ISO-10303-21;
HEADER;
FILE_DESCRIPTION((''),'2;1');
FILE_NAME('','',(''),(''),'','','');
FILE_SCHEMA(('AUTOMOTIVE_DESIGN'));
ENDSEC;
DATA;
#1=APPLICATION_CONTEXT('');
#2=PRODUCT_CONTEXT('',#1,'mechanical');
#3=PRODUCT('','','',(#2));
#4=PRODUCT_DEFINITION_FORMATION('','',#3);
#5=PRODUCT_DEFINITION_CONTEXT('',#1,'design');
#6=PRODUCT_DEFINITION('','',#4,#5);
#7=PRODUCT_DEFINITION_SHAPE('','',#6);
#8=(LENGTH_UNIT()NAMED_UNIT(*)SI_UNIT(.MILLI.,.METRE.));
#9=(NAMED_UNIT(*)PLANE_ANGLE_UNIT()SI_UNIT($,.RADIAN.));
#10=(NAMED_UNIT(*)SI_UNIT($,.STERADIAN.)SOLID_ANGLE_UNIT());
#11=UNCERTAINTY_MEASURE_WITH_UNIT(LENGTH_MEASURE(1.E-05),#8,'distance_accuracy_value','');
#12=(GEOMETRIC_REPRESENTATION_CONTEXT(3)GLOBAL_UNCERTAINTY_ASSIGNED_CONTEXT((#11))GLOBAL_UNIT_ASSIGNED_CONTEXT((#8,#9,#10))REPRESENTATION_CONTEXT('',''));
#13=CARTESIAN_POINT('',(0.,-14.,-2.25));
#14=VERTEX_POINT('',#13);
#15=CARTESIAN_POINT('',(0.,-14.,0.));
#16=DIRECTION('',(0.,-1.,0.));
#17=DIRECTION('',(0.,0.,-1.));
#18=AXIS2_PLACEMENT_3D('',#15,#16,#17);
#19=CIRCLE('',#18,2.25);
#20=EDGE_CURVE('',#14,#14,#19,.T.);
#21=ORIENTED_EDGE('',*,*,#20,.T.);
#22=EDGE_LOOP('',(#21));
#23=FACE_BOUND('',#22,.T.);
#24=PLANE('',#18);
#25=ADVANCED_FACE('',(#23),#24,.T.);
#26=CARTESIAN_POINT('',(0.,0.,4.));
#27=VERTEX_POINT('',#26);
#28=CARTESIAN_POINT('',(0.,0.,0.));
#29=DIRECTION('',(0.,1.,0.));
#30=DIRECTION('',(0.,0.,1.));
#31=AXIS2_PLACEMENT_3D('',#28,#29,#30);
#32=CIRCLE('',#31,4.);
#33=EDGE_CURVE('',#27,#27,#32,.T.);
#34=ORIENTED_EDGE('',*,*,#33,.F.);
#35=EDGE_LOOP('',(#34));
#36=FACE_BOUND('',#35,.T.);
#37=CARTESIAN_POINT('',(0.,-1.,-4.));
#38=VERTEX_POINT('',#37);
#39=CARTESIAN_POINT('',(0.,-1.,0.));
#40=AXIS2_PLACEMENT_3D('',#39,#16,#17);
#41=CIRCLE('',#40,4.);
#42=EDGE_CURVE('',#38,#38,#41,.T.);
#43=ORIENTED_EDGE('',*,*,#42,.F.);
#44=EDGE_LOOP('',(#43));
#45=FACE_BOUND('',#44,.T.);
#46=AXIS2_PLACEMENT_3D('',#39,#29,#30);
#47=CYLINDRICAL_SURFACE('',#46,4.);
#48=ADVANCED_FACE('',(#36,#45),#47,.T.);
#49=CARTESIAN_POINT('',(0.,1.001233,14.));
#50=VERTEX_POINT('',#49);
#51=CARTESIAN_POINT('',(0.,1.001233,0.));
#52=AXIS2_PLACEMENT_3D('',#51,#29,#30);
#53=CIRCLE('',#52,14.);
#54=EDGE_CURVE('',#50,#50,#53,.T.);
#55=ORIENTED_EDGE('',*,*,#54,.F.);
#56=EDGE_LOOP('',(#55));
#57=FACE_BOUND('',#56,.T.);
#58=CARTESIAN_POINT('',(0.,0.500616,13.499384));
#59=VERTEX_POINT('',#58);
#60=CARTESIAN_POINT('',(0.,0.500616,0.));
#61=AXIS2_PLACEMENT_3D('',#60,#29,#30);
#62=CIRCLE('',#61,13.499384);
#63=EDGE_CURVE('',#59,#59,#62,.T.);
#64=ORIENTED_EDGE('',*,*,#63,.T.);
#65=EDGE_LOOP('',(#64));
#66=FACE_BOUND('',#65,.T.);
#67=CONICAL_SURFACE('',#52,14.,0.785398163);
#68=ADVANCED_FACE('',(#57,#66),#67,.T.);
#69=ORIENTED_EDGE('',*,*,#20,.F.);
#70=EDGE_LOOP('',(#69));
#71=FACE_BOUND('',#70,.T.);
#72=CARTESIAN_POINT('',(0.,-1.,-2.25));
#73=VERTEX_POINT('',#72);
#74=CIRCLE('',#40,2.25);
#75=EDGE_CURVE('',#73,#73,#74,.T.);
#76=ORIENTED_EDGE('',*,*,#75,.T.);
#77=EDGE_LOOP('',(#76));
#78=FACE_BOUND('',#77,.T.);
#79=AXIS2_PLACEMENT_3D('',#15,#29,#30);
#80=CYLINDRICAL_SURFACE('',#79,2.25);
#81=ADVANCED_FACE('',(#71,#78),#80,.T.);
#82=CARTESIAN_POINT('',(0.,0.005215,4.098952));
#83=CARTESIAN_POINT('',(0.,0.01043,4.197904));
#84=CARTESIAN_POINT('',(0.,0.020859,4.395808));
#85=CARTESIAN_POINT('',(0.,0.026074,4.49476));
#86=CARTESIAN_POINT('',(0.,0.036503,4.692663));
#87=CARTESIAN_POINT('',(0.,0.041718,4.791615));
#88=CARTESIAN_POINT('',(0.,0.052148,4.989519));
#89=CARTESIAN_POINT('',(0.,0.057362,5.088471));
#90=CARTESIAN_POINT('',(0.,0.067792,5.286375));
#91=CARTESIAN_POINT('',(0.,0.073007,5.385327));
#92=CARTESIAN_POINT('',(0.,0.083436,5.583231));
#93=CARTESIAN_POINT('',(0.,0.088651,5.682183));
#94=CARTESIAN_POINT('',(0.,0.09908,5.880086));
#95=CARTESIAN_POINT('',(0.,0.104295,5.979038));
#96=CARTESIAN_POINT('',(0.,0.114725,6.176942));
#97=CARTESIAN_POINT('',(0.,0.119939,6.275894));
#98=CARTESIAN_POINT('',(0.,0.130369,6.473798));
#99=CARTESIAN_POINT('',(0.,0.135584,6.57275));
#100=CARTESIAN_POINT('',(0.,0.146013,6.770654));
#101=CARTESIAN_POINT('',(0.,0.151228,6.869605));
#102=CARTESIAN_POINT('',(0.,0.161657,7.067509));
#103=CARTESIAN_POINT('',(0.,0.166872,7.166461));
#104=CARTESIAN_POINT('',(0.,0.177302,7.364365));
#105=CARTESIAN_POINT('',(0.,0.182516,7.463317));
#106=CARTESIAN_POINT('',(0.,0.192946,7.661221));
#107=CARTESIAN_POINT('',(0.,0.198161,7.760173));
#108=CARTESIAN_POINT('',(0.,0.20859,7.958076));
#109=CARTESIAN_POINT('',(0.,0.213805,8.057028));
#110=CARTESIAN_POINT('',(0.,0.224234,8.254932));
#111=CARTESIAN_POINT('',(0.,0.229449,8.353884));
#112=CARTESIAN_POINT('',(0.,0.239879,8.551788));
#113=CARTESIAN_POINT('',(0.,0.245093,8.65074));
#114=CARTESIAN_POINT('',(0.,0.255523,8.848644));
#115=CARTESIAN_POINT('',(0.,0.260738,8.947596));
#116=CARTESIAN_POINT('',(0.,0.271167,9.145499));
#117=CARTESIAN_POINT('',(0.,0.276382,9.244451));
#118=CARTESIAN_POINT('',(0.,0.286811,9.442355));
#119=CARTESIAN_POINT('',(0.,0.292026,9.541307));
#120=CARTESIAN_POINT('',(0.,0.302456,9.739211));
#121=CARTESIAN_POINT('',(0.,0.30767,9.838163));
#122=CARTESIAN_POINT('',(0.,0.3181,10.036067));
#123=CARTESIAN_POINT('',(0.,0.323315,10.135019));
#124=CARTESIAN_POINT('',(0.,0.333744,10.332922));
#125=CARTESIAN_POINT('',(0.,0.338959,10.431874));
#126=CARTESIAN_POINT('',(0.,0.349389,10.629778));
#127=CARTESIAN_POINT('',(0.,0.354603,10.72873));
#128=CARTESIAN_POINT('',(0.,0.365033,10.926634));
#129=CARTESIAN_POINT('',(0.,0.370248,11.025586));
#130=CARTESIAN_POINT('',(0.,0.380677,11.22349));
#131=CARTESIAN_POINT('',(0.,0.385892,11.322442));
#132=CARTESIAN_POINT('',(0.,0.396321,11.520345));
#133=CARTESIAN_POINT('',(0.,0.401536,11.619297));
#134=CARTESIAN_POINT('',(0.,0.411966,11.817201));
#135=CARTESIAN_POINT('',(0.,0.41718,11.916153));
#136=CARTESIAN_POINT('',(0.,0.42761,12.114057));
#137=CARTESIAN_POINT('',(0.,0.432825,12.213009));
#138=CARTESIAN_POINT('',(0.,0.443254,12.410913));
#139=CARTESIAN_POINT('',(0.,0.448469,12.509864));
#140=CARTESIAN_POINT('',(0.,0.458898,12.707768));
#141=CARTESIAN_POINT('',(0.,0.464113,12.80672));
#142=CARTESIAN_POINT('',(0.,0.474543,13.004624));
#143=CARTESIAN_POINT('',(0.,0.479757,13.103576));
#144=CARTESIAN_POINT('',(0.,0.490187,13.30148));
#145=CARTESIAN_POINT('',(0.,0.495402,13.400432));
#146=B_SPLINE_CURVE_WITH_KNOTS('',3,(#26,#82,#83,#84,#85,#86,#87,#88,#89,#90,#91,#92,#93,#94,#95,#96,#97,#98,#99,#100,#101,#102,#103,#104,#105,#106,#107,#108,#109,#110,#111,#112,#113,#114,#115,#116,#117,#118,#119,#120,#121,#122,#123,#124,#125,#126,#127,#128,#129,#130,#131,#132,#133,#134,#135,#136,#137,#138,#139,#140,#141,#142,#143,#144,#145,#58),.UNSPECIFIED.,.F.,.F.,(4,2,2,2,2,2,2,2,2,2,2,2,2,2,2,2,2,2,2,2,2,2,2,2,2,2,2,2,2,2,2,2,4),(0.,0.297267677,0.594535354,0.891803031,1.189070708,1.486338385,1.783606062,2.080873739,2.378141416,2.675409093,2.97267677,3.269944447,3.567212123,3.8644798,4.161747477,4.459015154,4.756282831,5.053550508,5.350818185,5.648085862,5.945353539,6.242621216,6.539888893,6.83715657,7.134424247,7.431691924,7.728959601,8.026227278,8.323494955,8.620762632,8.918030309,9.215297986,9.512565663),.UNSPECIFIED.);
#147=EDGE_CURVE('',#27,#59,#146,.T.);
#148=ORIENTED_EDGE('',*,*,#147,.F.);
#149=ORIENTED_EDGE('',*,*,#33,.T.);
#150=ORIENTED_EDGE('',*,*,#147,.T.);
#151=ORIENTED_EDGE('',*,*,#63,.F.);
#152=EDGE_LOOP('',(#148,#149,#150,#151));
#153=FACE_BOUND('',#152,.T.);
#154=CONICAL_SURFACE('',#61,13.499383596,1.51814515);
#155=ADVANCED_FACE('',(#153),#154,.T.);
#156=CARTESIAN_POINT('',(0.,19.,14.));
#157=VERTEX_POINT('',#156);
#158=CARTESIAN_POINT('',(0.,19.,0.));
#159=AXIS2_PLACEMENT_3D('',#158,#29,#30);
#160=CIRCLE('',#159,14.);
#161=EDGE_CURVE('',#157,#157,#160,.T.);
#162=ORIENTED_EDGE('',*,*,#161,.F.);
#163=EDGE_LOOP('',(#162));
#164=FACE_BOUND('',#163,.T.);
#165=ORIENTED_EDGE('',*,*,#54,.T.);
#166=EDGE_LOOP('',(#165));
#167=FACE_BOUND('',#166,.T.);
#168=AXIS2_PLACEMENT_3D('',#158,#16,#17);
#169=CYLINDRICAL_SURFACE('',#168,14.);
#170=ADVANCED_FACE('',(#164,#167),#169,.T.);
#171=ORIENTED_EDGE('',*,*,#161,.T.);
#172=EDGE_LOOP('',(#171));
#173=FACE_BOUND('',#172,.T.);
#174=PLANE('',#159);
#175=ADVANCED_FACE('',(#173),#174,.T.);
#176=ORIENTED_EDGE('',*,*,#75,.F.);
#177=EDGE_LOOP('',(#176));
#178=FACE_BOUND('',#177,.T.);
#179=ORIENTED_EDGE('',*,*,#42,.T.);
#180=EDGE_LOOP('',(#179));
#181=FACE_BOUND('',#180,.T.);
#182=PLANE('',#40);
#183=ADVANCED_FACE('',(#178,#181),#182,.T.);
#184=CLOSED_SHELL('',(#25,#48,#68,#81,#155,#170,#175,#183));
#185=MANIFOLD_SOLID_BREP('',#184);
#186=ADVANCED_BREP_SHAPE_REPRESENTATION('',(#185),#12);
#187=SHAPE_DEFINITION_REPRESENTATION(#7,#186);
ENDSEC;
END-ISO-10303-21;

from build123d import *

# Parameters (mm, degrees)
SKETCH1_R           = 14
BOSS_EXTRUDE4_DEPTH = 19
SKETCH7_R           = 2.25
BOSS_EXTRUDE5_DEPTH = 14
SKETCH9_R           = 4
BOSS_EXTRUDE8_DEPTH = 1


with BuildPart() as part:
    # Sketch1 → Boss-Extrude4 (new body)
    with BuildSketch(Plane(origin=(0, 0, 0), x_dir=(1, 0, 0), z_dir=(0, 1, 0))):
        with Locations(Location((0, 0, 0), (0, 0, 270))):
            Circle(SKETCH1_R)
    extrude(amount=BOSS_EXTRUDE4_DEPTH)

    # Sketch7 → Boss-Extrude5 (add)
    with BuildSketch(Plane.XZ):
        with Locations(Location((0, 0, 0), (0, 0, 270))):
            Circle(SKETCH7_R)
    extrude(amount=BOSS_EXTRUDE5_DEPTH)

    # Sketch9 → Boss-Extrude8 (add)
    with BuildSketch(Plane.XZ):
        with Locations(Location((0, 0, 0), (0, 0, 90))):
            Circle(SKETCH9_R)
    extrude(amount=BOSS_EXTRUDE8_DEPTH)

    # Sketch10 → Cut-Revolve9 (revolve, cut)
    with BuildSketch(Plane.XY, mode=Mode.PRIVATE) as cut_revolve9_sk:
        Polygon((-4, 0), (-14, 0), (-14, 1.001232808), (-13.499383596, 0.500616404), align=None)
    revolve(cut_revolve9_sk.sketch.rotate(Axis((0, 0.500616404, 0), (0, 1, 0)), 90), axis=Axis((0, 0.500616404, 0), (0, 1, 0)), mode=Mode.SUBTRACT)


solid = part.part
